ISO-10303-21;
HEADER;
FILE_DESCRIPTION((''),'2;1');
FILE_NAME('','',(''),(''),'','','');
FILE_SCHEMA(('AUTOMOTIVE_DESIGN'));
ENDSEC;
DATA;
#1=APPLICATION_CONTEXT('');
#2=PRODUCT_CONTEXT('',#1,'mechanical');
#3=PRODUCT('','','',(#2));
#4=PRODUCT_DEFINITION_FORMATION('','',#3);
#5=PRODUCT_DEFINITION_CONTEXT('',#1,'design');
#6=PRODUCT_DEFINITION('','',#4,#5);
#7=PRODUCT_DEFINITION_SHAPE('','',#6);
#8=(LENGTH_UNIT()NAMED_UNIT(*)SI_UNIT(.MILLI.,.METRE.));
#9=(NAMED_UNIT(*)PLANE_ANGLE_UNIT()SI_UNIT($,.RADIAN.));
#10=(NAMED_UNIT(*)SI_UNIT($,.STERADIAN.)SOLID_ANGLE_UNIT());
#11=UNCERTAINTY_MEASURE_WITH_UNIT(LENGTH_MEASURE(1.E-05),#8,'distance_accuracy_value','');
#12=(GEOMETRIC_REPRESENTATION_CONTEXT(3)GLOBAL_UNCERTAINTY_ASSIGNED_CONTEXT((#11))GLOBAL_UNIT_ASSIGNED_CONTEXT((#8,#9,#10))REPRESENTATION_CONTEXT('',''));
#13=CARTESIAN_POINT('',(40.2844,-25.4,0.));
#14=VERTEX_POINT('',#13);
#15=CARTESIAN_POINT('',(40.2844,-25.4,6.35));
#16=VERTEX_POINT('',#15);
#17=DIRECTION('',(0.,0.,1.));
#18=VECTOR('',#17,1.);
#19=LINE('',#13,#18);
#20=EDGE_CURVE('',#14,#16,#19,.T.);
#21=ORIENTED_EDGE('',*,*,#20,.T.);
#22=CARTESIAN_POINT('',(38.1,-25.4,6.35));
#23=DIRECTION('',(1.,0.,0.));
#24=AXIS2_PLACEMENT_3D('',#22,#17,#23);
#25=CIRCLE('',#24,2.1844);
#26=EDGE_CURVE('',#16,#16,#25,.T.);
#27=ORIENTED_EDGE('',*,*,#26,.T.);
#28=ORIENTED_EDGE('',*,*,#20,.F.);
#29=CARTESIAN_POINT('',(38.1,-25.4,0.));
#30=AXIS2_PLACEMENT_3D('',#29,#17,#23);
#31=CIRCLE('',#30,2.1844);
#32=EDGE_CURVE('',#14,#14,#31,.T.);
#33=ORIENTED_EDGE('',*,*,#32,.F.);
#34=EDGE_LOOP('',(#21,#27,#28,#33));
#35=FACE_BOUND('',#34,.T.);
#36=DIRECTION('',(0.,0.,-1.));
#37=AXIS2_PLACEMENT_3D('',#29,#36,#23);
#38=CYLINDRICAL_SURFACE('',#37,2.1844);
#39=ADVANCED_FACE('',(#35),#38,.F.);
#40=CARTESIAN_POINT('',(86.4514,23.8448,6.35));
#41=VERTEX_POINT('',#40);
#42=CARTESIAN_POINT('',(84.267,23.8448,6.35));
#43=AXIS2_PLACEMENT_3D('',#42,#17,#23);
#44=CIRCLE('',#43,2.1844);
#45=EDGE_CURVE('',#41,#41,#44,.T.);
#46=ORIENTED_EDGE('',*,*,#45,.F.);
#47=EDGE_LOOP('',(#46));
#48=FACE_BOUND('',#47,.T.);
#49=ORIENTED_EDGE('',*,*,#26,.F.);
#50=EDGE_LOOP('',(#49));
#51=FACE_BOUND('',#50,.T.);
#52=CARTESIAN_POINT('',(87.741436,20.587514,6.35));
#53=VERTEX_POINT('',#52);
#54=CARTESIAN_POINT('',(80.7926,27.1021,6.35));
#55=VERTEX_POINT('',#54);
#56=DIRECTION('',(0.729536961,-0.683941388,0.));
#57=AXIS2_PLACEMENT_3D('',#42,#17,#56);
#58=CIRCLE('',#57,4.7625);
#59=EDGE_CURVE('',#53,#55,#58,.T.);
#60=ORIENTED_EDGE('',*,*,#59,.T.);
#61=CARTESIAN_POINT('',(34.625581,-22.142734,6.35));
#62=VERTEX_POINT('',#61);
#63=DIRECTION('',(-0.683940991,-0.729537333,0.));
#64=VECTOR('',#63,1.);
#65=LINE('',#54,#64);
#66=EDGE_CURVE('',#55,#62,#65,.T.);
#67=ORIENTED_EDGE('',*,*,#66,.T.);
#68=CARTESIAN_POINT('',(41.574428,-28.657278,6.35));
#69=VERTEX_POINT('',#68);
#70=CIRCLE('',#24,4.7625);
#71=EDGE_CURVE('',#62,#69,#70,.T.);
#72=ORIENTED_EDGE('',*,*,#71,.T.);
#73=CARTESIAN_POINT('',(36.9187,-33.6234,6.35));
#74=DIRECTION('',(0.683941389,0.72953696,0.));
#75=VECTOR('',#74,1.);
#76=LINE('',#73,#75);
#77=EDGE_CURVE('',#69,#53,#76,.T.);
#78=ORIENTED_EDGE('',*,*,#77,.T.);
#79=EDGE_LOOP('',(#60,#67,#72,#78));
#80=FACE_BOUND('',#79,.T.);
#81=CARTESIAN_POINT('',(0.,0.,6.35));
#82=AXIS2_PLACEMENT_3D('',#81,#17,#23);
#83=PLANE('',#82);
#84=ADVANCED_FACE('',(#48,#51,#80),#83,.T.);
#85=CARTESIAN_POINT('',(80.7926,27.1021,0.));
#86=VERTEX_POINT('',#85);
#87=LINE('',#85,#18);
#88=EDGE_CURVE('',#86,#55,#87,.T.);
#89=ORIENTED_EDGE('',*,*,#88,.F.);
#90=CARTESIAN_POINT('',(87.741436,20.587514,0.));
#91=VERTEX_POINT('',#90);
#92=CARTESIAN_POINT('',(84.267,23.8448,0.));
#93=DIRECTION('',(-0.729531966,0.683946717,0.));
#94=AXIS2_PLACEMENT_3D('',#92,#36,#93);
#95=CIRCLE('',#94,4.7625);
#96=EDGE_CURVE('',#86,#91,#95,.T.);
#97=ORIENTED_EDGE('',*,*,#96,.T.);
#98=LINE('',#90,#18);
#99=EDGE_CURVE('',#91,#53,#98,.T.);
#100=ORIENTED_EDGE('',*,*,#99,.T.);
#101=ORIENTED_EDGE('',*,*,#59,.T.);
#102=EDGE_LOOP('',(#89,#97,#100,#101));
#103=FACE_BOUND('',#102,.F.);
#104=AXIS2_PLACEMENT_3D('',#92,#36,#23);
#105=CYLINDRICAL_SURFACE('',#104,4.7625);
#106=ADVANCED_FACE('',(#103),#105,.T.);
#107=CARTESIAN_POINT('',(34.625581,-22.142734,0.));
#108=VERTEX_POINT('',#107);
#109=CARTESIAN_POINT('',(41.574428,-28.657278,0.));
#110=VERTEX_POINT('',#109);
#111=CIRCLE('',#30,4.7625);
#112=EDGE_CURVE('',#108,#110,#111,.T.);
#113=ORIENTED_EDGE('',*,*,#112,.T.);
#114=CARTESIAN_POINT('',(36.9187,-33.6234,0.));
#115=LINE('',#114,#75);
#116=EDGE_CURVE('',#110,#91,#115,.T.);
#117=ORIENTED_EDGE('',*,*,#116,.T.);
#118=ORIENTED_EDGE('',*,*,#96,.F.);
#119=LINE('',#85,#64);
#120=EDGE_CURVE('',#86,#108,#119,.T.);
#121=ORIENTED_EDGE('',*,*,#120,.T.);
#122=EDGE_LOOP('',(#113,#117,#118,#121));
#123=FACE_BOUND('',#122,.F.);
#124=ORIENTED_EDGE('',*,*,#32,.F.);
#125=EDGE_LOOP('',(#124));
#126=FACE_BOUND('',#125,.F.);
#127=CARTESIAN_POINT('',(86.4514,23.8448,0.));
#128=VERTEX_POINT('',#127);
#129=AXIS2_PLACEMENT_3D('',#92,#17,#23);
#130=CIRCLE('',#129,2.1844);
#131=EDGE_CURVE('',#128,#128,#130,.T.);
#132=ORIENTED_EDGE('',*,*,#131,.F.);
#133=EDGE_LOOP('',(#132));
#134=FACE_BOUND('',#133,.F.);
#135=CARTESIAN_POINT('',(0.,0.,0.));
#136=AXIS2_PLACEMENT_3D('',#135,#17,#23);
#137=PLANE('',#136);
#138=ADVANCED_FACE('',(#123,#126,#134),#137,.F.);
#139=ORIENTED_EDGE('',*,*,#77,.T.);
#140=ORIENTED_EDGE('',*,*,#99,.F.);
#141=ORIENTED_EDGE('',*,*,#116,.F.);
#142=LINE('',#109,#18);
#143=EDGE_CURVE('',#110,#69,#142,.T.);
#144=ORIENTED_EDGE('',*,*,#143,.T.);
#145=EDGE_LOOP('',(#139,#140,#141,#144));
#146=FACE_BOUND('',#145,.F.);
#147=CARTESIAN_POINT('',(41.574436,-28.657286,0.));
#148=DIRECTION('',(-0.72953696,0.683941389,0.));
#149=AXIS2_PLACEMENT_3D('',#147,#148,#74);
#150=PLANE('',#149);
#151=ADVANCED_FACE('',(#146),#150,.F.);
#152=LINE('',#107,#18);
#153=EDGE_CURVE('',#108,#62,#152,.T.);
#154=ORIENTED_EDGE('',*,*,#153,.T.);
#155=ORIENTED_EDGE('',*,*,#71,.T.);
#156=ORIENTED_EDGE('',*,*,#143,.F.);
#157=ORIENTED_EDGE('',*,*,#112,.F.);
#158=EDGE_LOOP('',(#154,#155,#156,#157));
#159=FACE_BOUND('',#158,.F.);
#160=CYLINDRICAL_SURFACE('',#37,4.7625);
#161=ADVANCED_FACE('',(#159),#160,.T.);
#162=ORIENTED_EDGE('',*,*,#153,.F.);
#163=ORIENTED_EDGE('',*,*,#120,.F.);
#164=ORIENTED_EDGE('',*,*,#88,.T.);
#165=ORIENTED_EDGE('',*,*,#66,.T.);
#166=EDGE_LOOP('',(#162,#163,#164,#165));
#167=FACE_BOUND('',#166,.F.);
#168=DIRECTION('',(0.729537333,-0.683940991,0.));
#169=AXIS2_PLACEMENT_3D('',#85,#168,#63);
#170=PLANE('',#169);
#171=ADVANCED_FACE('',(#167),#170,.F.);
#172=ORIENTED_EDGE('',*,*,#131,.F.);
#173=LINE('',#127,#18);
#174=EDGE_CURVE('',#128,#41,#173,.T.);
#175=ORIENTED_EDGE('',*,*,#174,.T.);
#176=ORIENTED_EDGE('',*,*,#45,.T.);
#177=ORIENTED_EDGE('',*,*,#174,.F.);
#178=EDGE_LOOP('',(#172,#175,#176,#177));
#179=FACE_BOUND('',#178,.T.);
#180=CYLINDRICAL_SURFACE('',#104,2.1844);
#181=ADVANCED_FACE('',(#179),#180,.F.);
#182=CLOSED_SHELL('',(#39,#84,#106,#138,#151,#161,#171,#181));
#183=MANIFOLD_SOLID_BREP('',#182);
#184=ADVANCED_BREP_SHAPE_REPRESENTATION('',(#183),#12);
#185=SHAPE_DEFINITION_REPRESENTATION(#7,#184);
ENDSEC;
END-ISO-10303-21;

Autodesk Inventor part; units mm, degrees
ref_plane "YZ Plane" through (0, 0, 0) normal (1, 0, 0) x (0, 1, 0)
ref_plane "XZ Plane" through (0, 0, 0) normal (0, 1, 0) x (-1, 0, 0)
ref_plane "XY Plane" through (0, 0, 0) normal (0, 0, 1) x (1, 0, 0)
sketch "Sketch1" plane through (0, 0, 0) normal (0, 0, 1) x (1, 0, 0)
  circle A0 centre (38.1, -25.4) radius 2.1844 projected
  circle A1 centre (84.267, 23.8448) radius 2.1844 projected
  circle A2 centre (38.1, -25.4) radius 4.7625
  circle A3 centre (84.267, 23.8448) radius 4.7625
  line L0 (80.7926, 27.1021) -> (31.2119, -25.784)
  line L1 (36.9187, -33.6234) -> (89.3053, 22.2556)
  point P0 (0, 0)
  point P1 (34.6256, -22.1427)
  point P2 (41.5744, -28.6573)
  point P3 (87.7414, 20.5875)
  dimension "d1" = 9.525
  dimension "d0" = 9.525
extrude "Extrusion1" add sketch "Sketch1" along normal blind 6.35
properties part number "thingy"
